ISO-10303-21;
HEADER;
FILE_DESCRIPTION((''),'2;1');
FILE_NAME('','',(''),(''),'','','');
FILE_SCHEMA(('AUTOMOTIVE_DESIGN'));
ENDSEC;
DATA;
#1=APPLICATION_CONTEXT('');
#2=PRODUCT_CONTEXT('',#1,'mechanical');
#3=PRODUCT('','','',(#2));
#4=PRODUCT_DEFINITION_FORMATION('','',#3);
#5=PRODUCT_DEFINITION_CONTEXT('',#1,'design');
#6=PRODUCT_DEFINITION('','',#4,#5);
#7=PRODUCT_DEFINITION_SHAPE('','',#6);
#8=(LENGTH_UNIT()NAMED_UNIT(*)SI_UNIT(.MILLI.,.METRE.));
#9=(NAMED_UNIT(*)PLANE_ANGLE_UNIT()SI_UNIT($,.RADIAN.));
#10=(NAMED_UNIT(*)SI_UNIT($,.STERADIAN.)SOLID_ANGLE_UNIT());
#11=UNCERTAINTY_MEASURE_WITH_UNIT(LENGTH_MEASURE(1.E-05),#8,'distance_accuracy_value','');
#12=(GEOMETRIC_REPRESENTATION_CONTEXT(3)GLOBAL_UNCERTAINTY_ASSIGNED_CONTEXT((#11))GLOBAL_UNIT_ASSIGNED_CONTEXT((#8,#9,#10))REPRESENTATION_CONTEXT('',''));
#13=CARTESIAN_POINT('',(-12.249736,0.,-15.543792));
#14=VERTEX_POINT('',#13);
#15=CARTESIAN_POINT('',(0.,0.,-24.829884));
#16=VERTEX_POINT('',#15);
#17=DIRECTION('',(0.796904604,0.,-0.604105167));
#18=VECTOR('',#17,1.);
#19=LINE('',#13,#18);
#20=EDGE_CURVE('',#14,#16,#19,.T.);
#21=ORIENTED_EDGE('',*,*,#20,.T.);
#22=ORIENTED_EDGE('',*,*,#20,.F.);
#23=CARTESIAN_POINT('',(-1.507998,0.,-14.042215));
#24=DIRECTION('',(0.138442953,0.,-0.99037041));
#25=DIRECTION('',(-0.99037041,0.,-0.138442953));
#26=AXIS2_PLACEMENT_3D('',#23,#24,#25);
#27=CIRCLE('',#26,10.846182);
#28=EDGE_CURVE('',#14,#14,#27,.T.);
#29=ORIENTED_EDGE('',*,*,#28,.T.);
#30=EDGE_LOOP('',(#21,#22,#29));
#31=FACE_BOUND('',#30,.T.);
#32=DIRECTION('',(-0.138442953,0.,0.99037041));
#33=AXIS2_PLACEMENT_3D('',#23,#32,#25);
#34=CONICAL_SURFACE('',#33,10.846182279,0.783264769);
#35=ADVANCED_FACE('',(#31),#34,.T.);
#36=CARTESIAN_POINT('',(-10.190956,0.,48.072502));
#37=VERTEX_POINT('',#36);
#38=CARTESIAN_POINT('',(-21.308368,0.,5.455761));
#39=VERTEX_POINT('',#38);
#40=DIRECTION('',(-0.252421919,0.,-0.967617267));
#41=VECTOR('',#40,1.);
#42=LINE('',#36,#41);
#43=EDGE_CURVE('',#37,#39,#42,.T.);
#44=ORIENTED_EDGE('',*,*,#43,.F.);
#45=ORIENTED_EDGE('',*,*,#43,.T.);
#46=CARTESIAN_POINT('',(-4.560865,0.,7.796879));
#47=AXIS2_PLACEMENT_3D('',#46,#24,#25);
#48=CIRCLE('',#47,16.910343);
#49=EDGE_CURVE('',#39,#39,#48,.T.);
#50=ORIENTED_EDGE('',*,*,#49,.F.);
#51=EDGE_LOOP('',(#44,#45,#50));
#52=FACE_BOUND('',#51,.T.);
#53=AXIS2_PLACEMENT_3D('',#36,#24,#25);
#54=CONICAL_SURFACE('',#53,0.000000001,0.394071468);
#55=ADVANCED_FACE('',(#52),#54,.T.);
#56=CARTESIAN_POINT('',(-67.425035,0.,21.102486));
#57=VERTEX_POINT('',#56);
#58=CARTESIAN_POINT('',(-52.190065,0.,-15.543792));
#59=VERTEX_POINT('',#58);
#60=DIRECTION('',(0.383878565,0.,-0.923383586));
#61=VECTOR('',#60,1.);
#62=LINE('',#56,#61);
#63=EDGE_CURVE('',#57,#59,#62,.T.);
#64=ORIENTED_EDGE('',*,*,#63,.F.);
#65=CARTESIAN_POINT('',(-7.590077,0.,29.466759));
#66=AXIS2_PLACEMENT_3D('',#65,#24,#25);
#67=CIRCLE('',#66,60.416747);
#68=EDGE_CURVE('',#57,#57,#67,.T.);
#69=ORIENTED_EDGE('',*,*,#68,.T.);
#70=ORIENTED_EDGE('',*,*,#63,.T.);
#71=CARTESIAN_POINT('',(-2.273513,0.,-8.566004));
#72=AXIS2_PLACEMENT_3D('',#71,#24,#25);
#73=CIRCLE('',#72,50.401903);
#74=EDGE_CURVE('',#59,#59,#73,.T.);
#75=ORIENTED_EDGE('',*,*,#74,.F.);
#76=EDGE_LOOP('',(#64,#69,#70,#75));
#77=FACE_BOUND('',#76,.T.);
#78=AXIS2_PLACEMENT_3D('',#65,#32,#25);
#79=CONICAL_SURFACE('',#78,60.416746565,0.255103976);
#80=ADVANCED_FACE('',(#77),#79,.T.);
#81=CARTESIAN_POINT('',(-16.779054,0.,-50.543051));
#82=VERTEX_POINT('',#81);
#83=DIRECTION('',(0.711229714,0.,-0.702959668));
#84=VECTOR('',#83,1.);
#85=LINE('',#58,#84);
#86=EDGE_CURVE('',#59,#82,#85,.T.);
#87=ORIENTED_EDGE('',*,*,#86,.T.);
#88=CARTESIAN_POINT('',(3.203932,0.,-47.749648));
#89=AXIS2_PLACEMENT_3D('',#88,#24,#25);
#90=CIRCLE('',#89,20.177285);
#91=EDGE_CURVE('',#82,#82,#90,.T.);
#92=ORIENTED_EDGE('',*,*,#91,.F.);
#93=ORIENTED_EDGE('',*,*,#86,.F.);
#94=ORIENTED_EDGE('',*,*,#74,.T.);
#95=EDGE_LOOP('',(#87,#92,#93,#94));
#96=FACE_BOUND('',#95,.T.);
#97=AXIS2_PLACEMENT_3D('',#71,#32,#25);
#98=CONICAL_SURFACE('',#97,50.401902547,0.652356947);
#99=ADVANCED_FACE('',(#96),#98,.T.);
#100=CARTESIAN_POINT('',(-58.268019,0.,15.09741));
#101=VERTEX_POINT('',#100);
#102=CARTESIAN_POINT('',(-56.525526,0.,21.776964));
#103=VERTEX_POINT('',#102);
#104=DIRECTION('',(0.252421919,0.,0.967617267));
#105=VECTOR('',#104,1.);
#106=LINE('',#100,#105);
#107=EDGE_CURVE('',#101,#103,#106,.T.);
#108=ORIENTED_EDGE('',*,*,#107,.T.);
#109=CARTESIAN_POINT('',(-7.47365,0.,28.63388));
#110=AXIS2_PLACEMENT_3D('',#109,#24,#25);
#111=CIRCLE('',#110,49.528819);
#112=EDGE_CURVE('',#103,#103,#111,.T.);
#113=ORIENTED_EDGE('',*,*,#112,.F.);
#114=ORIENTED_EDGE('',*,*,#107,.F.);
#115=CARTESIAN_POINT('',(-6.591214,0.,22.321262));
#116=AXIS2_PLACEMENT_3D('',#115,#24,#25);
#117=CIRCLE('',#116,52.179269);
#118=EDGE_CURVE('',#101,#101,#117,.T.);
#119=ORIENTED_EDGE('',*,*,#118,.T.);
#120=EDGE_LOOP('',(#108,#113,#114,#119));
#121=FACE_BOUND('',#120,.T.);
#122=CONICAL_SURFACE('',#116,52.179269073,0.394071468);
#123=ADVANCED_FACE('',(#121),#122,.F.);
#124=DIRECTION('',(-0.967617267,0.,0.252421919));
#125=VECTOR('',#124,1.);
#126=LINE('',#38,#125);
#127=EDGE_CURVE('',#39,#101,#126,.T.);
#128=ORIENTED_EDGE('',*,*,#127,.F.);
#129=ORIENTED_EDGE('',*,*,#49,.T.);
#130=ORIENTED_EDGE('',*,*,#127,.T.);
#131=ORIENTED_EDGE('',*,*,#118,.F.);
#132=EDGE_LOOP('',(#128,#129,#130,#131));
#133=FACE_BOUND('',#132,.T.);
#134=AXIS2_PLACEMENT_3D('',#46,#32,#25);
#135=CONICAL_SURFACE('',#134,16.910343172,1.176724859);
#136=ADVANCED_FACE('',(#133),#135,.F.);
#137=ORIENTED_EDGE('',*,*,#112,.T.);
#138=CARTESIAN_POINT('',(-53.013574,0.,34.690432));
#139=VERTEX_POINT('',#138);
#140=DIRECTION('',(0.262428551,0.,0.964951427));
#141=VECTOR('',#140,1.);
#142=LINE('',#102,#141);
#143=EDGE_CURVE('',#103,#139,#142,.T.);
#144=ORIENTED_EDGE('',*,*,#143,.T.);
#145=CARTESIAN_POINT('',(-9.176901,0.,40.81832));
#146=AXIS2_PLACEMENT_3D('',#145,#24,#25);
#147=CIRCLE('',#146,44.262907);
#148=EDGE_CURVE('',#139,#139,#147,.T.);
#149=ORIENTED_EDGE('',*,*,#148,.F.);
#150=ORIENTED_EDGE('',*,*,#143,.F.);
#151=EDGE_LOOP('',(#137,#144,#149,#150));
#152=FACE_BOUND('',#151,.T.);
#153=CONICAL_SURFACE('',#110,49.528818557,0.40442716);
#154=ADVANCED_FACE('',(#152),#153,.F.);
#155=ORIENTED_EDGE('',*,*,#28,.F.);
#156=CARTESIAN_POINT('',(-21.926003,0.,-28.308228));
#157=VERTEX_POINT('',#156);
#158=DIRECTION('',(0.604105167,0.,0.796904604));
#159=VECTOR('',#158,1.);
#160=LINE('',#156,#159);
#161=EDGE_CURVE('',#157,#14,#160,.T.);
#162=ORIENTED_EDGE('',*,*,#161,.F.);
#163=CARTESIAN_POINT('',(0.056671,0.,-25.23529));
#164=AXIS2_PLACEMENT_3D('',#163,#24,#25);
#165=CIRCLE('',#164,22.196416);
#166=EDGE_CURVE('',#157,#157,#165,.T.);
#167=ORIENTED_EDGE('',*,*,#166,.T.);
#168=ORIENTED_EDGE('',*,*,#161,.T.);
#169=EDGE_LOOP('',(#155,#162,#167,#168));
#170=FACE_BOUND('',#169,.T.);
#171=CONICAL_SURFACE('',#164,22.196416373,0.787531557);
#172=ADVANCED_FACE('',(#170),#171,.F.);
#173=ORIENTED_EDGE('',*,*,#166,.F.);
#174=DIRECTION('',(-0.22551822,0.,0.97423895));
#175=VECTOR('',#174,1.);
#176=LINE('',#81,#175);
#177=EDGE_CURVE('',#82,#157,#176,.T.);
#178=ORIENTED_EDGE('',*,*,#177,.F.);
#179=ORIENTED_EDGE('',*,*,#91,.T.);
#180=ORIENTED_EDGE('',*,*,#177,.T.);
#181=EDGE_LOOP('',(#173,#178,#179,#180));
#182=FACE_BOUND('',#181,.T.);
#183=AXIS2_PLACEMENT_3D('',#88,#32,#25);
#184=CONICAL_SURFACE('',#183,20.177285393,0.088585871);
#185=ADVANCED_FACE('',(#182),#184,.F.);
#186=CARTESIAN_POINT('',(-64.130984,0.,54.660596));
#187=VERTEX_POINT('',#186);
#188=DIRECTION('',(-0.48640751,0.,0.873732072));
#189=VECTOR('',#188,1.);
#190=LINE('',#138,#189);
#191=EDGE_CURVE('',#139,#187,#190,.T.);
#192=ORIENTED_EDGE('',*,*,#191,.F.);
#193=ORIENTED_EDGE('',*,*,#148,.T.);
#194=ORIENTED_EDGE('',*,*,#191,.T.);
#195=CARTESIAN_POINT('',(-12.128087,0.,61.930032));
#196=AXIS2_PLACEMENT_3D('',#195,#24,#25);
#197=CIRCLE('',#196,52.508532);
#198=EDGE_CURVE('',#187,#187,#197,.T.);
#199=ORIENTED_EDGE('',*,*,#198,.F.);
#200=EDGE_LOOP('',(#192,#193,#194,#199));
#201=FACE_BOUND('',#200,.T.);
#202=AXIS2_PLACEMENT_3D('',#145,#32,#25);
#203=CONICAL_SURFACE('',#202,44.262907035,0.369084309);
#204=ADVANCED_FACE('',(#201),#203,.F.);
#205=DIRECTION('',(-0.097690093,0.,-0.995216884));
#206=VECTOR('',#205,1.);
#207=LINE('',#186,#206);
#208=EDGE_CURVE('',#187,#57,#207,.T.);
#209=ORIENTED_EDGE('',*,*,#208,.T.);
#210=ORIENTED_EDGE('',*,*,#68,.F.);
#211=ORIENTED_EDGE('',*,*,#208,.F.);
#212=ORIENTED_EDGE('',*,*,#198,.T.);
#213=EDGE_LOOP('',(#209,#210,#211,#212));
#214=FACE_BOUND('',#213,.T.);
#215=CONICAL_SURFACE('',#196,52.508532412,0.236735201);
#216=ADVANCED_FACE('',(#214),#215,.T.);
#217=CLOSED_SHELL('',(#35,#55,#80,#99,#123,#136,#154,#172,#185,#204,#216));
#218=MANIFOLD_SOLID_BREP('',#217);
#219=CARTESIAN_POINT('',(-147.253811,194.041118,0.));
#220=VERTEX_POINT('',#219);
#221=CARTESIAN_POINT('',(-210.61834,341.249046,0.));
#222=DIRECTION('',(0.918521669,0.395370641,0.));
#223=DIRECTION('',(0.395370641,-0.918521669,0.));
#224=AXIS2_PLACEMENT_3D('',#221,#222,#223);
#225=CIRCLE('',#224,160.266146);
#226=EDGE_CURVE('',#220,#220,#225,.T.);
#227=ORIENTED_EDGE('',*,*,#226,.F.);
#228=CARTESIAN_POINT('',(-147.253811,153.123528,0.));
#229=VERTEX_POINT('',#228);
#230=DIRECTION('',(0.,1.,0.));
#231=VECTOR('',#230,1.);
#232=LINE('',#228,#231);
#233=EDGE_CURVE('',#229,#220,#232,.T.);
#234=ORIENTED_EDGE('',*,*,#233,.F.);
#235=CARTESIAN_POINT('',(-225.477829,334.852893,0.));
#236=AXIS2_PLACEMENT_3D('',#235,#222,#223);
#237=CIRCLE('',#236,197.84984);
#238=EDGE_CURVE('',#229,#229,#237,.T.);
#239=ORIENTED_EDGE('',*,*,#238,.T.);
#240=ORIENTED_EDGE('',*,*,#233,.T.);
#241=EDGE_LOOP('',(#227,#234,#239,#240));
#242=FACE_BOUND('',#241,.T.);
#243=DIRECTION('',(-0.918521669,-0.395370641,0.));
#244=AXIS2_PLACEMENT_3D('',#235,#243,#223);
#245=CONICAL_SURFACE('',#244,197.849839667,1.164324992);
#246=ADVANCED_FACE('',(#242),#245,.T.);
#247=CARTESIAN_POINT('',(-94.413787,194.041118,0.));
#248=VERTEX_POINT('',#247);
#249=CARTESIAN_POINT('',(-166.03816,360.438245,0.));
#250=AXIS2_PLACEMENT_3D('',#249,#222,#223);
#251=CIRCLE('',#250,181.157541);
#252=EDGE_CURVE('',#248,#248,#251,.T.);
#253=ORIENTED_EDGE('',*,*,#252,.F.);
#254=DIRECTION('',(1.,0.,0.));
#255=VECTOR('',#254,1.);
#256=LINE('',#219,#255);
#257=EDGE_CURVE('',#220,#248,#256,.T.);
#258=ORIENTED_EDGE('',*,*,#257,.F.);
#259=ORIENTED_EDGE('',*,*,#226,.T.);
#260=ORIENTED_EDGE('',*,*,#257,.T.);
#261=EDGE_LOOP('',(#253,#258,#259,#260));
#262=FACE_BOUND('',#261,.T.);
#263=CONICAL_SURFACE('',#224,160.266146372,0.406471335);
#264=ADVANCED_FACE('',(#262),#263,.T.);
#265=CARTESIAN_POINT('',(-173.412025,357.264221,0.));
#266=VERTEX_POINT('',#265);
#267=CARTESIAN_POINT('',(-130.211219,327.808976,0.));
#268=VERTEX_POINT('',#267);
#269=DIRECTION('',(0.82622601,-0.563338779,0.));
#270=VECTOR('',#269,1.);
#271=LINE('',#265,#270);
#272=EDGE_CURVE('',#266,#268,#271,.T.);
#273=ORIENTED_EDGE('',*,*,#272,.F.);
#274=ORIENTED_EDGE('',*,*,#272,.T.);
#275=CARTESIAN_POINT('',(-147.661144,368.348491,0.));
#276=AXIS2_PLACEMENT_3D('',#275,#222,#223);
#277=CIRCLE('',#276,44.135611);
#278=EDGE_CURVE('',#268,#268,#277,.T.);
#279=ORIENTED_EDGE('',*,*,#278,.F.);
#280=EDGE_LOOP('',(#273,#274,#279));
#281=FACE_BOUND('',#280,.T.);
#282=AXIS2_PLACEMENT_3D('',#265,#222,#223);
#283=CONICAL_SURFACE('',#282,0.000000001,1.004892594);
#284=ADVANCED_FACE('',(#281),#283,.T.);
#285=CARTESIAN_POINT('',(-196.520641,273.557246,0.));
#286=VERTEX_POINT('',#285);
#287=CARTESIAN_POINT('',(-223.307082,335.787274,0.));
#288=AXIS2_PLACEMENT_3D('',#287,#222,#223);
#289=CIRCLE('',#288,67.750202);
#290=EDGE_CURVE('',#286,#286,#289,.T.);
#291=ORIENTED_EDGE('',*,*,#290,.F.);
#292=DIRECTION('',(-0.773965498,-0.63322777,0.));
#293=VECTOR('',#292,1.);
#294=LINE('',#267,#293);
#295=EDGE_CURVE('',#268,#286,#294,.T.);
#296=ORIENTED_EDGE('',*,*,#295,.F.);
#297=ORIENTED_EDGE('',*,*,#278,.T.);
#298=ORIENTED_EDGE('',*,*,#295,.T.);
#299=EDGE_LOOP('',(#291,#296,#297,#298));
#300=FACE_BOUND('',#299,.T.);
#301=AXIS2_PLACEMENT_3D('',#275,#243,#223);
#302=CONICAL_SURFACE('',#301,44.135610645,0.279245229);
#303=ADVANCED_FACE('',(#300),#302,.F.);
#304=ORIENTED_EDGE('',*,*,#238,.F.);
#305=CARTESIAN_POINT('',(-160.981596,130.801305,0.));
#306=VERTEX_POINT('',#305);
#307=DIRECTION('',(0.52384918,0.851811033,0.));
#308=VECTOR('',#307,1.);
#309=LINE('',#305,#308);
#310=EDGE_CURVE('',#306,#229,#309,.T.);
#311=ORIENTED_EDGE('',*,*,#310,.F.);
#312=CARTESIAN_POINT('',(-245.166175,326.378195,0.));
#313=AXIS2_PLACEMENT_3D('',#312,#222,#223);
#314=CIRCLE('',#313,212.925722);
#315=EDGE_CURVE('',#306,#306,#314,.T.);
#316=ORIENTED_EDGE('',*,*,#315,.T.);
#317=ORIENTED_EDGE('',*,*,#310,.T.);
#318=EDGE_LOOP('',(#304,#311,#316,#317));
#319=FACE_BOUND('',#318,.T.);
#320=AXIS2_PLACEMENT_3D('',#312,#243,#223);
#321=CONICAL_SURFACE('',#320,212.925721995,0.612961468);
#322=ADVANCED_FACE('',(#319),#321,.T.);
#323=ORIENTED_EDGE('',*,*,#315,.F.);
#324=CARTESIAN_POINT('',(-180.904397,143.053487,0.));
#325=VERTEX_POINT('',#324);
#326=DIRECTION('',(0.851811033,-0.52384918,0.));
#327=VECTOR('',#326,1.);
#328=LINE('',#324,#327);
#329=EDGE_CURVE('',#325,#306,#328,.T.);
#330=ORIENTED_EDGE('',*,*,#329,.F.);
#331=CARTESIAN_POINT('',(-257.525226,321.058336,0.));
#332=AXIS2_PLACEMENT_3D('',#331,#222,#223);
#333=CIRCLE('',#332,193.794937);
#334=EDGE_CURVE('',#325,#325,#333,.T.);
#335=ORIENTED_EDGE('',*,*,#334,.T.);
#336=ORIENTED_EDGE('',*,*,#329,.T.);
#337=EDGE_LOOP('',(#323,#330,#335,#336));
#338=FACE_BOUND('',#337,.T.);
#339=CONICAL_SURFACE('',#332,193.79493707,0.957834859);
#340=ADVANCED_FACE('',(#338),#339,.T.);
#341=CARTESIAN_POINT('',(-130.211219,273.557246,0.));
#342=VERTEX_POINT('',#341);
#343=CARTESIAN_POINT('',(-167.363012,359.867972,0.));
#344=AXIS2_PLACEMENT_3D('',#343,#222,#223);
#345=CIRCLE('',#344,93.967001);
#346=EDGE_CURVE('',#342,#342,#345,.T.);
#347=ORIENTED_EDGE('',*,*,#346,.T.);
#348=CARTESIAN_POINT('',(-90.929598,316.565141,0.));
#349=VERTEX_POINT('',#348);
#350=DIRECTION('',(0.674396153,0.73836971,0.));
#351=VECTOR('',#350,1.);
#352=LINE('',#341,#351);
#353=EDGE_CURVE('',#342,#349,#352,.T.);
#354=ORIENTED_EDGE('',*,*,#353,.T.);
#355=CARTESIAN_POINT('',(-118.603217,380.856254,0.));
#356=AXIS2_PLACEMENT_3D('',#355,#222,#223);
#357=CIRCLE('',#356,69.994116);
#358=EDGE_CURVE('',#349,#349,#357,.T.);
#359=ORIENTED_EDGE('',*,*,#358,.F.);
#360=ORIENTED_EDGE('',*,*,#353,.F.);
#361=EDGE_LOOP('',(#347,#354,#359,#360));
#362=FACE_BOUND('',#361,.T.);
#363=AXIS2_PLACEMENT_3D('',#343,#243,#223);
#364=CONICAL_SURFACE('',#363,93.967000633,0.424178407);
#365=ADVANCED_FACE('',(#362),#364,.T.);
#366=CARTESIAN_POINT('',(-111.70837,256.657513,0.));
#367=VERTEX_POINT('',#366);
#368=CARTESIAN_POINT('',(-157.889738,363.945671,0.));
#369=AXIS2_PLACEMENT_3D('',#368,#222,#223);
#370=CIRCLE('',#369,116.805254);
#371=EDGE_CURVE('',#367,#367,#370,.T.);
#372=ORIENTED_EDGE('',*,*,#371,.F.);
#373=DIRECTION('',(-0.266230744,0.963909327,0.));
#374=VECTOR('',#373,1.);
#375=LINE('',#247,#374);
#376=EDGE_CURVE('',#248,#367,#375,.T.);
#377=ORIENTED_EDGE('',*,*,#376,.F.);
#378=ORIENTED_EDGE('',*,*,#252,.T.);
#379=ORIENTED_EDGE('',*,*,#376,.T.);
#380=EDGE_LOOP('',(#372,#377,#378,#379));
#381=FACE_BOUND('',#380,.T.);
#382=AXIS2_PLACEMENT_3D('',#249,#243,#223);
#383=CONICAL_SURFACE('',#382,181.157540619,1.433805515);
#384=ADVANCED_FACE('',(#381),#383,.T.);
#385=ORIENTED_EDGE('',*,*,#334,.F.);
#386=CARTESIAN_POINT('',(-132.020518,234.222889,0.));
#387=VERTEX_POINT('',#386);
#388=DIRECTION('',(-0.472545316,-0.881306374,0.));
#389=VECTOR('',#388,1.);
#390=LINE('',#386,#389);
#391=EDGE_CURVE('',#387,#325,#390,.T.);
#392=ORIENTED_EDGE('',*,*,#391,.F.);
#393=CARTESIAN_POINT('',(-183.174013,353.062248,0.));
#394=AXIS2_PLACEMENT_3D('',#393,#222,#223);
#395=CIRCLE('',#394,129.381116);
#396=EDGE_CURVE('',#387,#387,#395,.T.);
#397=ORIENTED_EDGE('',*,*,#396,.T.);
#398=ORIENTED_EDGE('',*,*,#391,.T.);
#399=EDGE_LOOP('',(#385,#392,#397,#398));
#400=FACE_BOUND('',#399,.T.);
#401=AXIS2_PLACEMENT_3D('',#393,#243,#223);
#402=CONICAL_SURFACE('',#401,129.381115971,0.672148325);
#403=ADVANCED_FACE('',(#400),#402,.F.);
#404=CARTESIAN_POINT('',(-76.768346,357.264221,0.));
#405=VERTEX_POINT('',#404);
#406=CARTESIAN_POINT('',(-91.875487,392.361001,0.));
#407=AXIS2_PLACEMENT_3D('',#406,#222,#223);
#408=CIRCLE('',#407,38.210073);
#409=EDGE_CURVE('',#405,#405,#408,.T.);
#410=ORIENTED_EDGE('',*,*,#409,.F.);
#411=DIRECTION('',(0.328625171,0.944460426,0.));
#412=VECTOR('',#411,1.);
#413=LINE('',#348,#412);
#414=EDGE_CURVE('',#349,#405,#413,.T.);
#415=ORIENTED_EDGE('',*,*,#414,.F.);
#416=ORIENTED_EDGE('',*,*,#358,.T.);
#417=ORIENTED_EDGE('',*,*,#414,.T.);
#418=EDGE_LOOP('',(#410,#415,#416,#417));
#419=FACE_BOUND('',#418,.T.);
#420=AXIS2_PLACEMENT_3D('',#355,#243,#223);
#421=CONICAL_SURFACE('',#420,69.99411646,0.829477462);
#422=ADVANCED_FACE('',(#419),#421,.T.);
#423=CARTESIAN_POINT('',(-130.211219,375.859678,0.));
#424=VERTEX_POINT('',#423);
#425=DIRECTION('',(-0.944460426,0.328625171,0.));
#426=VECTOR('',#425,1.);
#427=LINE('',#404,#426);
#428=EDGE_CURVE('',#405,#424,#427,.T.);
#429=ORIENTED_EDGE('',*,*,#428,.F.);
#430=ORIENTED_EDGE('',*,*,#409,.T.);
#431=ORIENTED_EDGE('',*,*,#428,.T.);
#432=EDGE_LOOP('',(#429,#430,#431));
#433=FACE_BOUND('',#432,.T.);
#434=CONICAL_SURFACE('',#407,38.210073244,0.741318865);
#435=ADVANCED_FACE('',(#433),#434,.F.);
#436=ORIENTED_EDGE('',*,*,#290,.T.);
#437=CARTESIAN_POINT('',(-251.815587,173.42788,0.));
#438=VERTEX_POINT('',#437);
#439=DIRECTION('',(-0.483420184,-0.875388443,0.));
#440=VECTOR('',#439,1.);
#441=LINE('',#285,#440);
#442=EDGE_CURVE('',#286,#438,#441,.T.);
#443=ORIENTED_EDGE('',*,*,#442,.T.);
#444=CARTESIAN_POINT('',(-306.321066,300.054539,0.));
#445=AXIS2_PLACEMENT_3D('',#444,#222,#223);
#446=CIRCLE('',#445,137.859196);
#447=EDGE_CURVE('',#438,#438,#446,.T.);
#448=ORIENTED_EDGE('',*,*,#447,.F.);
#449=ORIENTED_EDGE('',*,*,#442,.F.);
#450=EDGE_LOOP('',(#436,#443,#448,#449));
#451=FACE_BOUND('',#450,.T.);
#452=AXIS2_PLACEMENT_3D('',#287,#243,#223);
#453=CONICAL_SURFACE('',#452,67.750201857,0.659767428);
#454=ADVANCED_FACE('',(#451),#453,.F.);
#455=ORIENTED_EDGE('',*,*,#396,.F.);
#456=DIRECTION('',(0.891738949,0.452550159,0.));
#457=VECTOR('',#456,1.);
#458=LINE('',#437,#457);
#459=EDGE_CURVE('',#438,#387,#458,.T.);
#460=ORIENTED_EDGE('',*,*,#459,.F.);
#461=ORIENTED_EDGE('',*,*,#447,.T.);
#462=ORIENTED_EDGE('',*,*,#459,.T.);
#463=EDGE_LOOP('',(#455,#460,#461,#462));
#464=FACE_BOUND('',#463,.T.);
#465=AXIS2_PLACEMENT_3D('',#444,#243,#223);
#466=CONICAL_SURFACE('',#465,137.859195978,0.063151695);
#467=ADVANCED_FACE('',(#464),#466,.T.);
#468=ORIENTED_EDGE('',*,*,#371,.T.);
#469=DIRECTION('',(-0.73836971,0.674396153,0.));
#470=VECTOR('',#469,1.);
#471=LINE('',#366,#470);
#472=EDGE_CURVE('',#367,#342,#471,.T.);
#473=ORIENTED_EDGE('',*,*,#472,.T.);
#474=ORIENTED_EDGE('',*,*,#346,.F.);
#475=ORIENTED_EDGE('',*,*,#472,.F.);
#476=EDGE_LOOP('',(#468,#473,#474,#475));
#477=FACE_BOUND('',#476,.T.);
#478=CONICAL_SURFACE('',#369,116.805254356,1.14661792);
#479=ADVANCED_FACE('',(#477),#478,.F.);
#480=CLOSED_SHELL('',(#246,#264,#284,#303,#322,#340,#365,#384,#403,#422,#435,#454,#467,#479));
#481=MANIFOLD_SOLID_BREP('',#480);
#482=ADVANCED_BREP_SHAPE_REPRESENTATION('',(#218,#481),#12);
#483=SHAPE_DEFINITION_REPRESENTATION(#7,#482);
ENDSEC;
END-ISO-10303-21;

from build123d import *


with BuildPart() as f1:
    # F0 (on Front) → F1 (revolve)
    with BuildSketch(Plane.XZ):
        Polygon((0, -24.829883658), (-10.1909562945, 48.072502017), (-21.3083680719, 5.4557607509), (-58.2680185974, 15.097409592), (-56.5255258826, 21.7769643903), (-53.013574332, 34.6904322505), (-64.1309842467, 54.6605959535), (-67.4250349402, 21.1024861783), (-52.1900653839, -15.5437923968), (-16.7790539563, -50.543051213), (-21.9260025769, -28.3082276583), (-12.2497361153, -15.5437923968), align=None)
    revolve(axis=Axis((-5.0954781473, 0, 11.6213091795), (0.1384429531, 0, -0.9903704099)))


with BuildPart() as f3:
    # F2 (on Top) → F3 (revolve)
    with BuildSketch(Plane.XY):
        Polygon((-251.8155872822, 173.4278798103), (-132.0205181837, 234.2228889465), (-180.9043971059, 143.0534865566), (-160.9815955162, 130.8013051748), (-147.2538113594, 153.1235277653), (-147.2538113594, 194.0411180258), (-94.4137871265, 194.0411180258), (-111.7083698229, 256.6575134392), (-130.2112191916, 273.5572457314), (-90.9295980051, 316.5651411941), (-76.7683461308, 357.2642207146), (-130.2112191916, 375.8596777916), (-173.4120249748, 357.2642207146), (-130.2112191916, 327.8089761734), (-196.5206414461, 273.5572457314), align=None)
    revolve(axis=Axis((-151.8116220832, 366.5619492531, 0), (0.9185216689, 0.3953706409, 0)))


solid = Compound([f1.part, f3.part])
